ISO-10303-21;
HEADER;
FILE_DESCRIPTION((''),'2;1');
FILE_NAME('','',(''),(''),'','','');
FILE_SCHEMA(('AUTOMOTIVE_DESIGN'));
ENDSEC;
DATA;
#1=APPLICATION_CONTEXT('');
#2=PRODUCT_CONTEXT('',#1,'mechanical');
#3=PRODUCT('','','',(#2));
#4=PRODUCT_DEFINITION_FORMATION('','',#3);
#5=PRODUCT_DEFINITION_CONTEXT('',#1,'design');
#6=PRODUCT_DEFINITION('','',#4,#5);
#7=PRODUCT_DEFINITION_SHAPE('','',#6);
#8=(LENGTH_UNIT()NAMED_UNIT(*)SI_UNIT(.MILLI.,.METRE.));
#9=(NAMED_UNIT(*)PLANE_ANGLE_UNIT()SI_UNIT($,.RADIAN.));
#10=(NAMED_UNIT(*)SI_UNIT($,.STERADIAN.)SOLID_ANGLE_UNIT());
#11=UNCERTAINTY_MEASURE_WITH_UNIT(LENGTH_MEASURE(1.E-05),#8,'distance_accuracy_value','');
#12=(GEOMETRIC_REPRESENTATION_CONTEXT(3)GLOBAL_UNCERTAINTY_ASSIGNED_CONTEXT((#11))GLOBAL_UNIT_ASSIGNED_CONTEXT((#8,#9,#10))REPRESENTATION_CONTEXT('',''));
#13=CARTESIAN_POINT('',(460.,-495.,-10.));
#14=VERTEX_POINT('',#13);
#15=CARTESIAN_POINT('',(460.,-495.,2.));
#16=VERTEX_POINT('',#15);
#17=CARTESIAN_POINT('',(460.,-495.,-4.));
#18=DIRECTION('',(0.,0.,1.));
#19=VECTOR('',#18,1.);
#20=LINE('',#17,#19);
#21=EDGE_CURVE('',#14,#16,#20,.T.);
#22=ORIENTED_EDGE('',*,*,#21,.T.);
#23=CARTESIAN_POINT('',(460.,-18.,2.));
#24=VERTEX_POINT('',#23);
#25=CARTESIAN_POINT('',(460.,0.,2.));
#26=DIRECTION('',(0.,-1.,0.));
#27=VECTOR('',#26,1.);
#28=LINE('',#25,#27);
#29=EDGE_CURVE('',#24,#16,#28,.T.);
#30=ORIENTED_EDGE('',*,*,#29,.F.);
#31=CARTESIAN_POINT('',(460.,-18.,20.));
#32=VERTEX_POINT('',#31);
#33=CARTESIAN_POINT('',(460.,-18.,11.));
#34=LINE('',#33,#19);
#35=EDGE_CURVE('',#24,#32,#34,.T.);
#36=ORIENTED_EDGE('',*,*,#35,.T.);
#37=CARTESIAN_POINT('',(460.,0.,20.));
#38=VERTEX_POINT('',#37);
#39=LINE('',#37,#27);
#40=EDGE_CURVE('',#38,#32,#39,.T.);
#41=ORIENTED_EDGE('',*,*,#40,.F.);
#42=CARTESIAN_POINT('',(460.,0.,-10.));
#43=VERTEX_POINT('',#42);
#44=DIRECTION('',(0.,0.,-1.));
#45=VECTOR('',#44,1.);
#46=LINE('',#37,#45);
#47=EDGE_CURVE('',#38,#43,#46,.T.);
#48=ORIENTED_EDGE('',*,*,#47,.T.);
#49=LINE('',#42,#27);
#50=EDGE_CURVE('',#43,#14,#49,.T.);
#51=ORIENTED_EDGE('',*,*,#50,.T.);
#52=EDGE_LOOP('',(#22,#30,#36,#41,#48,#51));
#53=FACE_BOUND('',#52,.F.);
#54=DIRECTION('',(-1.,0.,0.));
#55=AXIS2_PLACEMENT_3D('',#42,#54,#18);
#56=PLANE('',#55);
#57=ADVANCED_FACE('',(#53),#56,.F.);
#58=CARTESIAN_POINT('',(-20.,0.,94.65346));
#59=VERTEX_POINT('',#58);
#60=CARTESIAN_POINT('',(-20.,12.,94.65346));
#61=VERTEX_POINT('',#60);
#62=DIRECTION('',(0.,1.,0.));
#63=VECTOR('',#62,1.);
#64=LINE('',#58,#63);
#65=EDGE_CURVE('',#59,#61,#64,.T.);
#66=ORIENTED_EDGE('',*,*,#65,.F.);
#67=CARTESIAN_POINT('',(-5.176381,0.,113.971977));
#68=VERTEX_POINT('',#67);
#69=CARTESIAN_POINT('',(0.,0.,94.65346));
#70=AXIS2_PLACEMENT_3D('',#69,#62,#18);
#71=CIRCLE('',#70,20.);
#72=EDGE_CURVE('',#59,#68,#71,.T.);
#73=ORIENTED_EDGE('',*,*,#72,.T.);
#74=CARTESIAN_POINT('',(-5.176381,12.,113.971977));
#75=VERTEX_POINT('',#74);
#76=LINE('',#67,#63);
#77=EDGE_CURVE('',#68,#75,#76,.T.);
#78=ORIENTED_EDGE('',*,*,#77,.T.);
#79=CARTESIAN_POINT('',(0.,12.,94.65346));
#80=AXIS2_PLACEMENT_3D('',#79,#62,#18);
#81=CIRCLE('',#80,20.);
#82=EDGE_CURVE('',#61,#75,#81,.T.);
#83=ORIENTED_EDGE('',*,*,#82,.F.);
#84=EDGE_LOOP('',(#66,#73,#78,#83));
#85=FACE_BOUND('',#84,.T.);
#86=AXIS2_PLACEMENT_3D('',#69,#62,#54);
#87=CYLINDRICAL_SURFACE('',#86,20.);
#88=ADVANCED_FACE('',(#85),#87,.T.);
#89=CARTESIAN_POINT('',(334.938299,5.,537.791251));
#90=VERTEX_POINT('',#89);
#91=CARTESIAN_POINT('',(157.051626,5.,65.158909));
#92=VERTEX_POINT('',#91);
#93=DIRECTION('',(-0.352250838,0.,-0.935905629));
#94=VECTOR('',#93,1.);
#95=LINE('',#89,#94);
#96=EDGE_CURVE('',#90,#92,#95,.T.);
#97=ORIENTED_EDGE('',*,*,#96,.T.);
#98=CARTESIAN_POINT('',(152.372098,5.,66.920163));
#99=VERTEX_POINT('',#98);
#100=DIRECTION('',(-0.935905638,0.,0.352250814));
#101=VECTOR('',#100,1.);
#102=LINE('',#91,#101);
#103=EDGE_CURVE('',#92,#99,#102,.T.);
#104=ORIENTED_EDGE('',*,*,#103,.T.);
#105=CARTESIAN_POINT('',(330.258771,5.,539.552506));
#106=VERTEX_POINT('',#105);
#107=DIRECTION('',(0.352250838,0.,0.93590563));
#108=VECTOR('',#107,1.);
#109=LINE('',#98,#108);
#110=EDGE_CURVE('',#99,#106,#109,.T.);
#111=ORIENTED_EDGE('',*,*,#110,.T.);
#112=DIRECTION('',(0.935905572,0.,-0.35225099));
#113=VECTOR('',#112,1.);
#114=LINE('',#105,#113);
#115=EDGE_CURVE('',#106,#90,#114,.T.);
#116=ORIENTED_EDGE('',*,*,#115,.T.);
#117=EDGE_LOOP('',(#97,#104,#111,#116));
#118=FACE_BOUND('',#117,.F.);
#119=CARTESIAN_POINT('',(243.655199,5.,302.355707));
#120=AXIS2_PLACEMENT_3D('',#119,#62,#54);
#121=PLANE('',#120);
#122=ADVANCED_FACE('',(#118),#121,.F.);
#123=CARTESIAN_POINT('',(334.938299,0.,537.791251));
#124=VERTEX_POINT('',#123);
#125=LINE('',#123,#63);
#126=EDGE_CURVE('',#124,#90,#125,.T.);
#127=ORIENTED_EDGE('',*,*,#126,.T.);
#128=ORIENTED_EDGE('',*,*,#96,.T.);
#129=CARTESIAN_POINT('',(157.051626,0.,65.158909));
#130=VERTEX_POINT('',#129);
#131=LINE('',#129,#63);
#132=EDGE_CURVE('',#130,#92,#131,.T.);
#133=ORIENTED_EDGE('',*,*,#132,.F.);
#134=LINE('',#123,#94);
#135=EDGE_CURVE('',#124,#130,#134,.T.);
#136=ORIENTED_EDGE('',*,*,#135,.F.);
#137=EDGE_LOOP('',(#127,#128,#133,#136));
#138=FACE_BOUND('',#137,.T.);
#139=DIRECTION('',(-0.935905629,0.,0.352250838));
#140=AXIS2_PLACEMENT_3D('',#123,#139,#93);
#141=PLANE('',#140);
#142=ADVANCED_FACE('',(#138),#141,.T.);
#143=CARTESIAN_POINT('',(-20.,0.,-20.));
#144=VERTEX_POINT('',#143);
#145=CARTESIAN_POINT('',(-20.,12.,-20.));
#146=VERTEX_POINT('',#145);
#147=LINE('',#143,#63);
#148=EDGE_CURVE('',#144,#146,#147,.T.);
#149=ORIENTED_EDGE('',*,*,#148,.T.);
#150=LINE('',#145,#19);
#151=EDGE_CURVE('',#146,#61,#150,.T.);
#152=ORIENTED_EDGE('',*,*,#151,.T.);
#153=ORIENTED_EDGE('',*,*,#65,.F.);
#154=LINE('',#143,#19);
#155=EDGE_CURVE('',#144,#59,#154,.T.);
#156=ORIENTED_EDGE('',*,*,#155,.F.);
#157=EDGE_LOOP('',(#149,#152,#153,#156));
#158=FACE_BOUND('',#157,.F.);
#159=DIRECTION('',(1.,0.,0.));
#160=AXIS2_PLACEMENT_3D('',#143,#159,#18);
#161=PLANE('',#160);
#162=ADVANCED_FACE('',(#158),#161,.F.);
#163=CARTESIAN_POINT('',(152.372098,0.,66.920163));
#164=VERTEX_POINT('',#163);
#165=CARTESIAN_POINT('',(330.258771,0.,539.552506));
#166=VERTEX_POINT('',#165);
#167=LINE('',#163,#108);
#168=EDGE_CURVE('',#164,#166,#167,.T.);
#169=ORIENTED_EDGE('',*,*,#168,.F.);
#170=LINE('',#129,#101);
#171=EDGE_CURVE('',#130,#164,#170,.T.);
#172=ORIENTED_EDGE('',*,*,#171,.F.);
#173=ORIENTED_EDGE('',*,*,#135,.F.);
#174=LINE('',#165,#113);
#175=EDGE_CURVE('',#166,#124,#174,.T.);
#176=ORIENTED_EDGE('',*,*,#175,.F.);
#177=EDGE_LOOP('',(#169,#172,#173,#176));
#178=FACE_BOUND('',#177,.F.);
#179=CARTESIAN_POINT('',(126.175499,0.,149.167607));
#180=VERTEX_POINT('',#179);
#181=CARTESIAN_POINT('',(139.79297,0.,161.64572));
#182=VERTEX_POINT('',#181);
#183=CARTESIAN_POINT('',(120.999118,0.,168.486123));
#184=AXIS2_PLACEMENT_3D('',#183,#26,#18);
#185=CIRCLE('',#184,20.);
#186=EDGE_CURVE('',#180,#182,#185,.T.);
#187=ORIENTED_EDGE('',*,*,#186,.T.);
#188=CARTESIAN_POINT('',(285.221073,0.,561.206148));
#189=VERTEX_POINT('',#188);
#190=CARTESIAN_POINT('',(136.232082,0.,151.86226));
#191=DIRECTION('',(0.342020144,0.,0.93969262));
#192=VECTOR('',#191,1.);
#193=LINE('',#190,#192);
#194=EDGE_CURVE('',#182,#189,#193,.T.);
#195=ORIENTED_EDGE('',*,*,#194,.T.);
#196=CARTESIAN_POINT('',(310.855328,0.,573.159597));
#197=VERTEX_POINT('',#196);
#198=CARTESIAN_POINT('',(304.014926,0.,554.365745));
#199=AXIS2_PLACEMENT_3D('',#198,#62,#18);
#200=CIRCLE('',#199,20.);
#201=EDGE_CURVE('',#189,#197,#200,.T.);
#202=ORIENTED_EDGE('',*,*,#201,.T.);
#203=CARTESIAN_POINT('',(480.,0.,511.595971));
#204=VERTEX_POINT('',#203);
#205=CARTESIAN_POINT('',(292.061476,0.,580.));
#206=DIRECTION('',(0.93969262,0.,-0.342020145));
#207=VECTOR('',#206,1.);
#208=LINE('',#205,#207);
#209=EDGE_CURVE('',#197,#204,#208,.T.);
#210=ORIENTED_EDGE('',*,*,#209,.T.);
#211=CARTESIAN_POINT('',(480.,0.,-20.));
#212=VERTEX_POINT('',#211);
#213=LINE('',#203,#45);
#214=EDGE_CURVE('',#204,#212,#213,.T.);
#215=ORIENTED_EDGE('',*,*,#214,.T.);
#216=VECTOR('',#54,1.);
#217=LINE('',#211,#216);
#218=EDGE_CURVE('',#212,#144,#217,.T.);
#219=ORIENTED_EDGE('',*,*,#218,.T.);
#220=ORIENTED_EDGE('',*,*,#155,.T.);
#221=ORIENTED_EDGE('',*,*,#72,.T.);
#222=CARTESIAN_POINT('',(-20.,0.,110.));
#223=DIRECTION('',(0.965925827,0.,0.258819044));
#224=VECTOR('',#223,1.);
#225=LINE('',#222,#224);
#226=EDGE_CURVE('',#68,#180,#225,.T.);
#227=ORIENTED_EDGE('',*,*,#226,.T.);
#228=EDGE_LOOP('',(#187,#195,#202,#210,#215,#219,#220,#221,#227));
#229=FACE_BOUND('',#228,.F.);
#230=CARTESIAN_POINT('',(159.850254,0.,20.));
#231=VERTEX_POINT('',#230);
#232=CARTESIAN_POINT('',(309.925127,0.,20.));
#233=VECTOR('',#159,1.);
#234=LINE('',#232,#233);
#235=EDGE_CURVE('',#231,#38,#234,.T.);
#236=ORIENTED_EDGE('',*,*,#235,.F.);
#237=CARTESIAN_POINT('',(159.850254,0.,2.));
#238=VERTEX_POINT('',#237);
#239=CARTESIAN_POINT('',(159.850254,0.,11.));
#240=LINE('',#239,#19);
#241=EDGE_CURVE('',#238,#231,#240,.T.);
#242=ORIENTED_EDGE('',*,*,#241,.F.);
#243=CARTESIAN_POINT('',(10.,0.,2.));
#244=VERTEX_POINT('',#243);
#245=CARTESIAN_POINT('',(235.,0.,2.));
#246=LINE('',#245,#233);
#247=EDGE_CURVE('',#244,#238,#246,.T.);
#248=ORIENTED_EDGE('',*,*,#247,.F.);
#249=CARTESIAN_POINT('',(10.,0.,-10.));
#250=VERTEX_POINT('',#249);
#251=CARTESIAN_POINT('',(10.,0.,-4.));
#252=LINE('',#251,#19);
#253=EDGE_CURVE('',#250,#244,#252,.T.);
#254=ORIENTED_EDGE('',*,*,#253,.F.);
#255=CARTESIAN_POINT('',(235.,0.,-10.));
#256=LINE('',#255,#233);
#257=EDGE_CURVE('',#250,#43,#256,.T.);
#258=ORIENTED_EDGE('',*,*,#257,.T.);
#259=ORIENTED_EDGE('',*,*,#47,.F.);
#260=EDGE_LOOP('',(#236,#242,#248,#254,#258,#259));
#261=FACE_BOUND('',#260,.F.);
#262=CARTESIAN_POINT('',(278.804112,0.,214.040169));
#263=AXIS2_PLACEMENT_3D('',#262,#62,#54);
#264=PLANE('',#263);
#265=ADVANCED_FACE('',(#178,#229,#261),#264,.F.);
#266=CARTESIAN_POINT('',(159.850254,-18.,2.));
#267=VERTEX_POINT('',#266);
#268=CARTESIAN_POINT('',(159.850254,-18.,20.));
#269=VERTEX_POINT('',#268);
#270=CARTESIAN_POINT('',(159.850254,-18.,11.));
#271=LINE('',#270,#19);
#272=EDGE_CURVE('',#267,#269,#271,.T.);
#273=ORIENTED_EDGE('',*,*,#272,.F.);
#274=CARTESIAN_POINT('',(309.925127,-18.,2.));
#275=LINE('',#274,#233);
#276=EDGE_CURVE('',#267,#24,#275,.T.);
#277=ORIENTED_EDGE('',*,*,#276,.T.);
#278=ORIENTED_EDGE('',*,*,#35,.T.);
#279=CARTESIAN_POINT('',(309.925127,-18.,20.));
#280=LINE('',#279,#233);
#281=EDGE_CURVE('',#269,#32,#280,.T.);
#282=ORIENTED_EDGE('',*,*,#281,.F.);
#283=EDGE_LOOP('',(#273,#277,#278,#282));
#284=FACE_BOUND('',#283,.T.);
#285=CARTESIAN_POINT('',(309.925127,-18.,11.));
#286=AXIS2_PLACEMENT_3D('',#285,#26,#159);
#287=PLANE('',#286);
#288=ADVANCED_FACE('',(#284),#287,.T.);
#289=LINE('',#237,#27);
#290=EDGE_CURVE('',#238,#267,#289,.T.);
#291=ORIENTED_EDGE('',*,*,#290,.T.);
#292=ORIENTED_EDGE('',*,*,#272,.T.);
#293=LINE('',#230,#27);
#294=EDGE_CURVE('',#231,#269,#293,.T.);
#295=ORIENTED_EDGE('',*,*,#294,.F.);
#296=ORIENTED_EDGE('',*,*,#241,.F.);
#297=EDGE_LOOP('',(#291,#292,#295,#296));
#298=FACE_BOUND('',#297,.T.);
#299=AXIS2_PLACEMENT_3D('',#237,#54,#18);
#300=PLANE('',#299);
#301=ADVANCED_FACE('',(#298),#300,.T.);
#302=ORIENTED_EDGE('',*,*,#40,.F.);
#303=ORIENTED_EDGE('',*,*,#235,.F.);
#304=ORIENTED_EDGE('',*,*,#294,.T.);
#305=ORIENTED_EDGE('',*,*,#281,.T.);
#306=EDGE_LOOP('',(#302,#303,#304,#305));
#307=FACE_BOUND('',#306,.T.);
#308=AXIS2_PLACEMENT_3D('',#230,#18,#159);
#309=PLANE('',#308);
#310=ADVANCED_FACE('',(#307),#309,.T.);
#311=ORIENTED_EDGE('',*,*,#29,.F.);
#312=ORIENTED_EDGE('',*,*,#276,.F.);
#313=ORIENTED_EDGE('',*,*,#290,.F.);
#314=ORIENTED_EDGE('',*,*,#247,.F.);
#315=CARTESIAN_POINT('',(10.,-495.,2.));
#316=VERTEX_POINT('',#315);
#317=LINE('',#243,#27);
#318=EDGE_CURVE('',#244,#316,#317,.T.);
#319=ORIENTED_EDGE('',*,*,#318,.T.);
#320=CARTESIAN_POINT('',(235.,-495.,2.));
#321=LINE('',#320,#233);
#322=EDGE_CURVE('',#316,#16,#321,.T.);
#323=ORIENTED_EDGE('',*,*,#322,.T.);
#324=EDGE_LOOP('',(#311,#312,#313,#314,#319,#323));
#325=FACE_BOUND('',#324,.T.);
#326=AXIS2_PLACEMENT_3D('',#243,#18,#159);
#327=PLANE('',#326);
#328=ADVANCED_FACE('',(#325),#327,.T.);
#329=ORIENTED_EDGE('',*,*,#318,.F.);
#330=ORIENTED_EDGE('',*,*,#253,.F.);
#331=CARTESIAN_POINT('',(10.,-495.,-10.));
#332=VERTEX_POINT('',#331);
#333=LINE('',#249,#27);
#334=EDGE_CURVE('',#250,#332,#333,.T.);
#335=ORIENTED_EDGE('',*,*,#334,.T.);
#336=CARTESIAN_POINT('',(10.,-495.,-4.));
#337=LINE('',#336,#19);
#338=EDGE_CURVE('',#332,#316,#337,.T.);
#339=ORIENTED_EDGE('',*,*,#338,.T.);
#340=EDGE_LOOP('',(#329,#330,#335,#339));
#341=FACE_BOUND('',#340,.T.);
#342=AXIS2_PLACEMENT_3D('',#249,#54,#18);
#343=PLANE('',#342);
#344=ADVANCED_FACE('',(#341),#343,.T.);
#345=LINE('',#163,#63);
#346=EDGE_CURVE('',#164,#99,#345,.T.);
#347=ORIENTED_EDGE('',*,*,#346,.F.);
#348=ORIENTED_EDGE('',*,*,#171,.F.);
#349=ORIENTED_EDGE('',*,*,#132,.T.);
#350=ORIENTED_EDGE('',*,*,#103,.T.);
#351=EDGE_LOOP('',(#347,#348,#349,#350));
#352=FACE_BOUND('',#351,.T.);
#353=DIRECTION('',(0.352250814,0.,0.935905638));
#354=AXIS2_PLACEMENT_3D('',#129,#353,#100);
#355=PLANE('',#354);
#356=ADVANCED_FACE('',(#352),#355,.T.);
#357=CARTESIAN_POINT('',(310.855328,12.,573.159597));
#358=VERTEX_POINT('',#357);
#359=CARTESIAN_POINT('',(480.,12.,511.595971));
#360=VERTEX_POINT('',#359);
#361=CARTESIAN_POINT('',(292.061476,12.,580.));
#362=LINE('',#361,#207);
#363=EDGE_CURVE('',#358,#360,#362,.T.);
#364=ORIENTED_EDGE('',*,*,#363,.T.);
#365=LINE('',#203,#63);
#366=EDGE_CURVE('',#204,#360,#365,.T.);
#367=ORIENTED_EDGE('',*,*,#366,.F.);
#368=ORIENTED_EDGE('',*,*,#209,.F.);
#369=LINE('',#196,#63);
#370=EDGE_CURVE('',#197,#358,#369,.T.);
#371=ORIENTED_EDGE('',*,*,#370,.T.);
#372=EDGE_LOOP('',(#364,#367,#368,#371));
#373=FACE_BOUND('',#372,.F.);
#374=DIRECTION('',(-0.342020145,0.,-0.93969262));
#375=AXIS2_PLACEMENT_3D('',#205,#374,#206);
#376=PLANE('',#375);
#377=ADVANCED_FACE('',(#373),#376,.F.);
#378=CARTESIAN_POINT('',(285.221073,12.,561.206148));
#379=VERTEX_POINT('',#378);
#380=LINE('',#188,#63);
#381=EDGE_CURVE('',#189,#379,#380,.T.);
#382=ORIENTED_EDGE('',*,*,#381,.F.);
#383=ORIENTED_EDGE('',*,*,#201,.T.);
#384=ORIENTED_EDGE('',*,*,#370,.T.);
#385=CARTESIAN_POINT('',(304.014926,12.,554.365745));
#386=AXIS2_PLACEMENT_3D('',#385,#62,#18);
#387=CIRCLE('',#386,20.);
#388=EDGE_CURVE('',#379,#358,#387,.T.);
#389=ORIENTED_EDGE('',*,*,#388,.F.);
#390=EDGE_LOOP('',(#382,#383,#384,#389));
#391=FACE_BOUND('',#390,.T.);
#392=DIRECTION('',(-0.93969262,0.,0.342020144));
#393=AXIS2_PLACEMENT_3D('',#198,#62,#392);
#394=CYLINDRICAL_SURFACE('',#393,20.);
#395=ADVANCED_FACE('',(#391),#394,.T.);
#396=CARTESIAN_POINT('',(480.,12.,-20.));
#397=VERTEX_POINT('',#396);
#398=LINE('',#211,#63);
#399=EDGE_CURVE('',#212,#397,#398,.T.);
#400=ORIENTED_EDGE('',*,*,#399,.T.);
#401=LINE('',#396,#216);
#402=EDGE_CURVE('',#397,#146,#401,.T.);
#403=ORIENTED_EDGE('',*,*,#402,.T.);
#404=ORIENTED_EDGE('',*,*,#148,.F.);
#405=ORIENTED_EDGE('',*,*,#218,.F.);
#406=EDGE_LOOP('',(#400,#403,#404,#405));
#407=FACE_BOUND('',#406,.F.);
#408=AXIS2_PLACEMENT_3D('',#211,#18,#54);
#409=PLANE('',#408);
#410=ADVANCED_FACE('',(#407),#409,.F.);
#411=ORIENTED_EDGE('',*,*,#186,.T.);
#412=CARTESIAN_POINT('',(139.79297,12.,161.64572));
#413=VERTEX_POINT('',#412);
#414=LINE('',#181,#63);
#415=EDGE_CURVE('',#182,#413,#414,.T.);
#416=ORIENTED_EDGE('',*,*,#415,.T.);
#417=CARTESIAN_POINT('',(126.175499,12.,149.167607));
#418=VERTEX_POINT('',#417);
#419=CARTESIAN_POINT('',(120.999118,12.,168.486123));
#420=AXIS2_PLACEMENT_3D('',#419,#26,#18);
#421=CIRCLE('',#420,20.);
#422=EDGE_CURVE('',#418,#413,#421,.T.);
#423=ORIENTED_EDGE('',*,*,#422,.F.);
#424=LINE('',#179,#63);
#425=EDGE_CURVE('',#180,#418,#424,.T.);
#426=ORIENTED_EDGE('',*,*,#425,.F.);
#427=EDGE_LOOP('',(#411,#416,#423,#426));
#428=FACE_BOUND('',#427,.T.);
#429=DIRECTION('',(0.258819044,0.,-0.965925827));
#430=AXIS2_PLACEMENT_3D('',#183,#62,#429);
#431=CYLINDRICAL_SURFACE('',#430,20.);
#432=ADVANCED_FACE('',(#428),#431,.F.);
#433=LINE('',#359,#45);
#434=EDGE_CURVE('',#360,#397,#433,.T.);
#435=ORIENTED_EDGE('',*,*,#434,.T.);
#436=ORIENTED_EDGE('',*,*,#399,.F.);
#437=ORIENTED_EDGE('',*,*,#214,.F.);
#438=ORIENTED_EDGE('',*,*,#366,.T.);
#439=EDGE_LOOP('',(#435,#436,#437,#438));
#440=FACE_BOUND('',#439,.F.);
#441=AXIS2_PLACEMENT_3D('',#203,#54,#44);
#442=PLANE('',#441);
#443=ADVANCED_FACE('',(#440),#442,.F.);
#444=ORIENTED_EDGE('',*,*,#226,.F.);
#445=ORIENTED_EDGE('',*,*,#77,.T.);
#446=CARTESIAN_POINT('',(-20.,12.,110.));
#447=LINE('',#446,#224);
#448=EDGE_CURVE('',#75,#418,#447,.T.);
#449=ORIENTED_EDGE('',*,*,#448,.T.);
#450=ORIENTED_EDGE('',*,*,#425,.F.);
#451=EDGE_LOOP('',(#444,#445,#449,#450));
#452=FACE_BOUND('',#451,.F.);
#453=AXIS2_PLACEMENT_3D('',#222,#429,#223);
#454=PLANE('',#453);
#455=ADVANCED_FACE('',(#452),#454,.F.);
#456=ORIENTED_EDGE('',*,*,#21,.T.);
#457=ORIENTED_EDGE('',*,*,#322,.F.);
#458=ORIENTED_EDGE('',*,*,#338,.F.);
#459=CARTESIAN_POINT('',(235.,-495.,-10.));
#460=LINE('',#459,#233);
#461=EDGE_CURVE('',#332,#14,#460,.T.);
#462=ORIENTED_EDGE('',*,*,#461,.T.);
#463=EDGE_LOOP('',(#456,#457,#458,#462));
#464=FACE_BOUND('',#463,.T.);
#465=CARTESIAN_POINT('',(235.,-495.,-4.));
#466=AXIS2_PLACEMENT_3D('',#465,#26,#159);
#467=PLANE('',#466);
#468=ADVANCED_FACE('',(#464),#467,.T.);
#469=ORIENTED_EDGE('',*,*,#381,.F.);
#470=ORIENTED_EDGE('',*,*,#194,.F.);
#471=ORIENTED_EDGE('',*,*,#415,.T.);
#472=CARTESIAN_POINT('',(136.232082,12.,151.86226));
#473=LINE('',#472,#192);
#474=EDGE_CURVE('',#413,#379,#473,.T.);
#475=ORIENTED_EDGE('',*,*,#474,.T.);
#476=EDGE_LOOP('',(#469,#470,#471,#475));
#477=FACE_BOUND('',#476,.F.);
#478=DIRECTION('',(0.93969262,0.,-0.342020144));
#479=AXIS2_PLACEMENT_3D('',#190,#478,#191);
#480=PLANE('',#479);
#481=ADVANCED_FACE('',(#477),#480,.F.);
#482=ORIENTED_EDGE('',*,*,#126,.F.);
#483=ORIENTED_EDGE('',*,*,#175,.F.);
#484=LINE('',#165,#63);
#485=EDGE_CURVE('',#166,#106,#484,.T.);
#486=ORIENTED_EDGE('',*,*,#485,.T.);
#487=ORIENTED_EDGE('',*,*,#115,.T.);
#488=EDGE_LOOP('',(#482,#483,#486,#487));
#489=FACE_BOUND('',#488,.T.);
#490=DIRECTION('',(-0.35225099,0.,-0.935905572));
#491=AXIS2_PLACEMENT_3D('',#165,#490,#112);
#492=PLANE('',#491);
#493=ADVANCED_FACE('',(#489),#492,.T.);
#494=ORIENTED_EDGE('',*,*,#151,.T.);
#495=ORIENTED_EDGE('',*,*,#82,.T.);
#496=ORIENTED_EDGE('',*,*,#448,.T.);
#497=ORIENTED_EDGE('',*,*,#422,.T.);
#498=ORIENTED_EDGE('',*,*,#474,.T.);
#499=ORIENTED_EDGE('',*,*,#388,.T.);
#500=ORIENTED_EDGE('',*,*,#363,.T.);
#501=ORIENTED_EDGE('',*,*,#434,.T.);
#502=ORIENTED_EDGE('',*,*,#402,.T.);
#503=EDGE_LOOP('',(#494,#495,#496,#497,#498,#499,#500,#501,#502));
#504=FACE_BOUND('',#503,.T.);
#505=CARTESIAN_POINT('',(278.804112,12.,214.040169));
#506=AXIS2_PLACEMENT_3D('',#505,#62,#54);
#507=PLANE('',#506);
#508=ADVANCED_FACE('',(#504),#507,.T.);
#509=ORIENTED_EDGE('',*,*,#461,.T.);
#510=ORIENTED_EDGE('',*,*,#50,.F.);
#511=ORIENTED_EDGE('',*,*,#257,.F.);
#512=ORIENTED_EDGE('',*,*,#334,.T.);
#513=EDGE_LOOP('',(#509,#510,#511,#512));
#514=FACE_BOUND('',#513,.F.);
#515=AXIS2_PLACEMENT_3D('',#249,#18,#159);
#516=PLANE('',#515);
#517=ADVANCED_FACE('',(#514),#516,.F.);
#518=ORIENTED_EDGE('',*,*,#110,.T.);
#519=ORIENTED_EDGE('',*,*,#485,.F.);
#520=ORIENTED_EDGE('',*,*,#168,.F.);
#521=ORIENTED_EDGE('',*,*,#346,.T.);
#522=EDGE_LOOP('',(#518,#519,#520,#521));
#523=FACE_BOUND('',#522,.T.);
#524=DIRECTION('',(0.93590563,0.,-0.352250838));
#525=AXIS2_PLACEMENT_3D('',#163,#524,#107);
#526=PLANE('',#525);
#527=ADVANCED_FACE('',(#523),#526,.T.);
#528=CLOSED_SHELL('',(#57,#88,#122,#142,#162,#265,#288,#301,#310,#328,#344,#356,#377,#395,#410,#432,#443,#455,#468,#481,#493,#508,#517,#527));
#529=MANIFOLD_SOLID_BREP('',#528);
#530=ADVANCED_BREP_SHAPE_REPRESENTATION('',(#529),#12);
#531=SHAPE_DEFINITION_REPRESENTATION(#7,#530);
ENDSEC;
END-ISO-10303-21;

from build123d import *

# Parameters (mm, degrees)
PAD_DEPTH       = 12
POCKET_DEPTH    = 1
FILLET_R        = 20
FILLET001_R     = 20
FILLET002_R     = 20
POCKET001_DEPTH = 5
SKETCH004_W     = 450
SKETCH004_H     = 12
PAD001_DEPTH    = 495
SKETCH005_W     = 300.149746
SKETCH005_H     = 18
PAD002_DEPTH    = 18


with BuildPart() as part:
    # Sketch001 → Pad (new body)
    with BuildSketch(Plane.XZ):
        Polygon((-20, -20), (-20, 110), (136.232082, 151.86226), (292.061476, 580), (480, 511.595971), (480, -20), align=None)
    extrude(amount=-PAD_DEPTH)

    # Sketch002 (on Face7 of Pad) → Pocket (cut)
    with BuildSketch(Plane.XZ):
        Polygon((465, -5), (465, 501.092858), (301.026563, 560.774309), (147.656805, 139.394363), (-5, 98.490095), (-5, -5), align=None)
    extrude(amount=POCKET_DEPTH, mode=Mode.SUBTRACT)

    # Fillet
    fillet_edges = [part.edges().sort_by_distance(p)[0] for p in [
        (-20, 6, 110),
    ]]
    fillet(fillet_edges, radius=FILLET_R)

    # Fillet001
    fillet001_edges = [part.edges().sort_by_distance(p)[0] for p in [
        (136.232082, 6, 151.86226),
    ]]
    fillet(fillet001_edges, radius=FILLET001_R)

    # Fillet002
    fillet002_edges = [part.edges().sort_by_distance(p)[0] for p in [
        (292.061476, 6, 580),
    ]]
    fillet(fillet002_edges, radius=FILLET002_R)

    # Sketch003 (on Face7 of Pocket) → Pocket001 (cut)
    with BuildSketch(Plane.XZ):
        Polygon((334.938299, 537.791251), (157.051626, 65.158909), (152.372098, 66.920163), (330.258771, 539.552506), align=None)
    extrude(amount=-POCKET001_DEPTH, mode=Mode.SUBTRACT)

    # Sketch004 (on Face11 of Pocket001) → Pad001 (join)
    with BuildSketch(Plane.XZ):
        with Locations((235, -4)):
            Rectangle(SKETCH004_W, SKETCH004_H)
    extrude(amount=PAD001_DEPTH)

    # Sketch005 (on Face1 of Pad001) → Pad002 (join)
    with BuildSketch(Plane.XZ):
        with Locations((309.925127, 11)):
            Rectangle(SKETCH005_W, SKETCH005_H)
    extrude(amount=PAD002_DEPTH)


solid = part.part
